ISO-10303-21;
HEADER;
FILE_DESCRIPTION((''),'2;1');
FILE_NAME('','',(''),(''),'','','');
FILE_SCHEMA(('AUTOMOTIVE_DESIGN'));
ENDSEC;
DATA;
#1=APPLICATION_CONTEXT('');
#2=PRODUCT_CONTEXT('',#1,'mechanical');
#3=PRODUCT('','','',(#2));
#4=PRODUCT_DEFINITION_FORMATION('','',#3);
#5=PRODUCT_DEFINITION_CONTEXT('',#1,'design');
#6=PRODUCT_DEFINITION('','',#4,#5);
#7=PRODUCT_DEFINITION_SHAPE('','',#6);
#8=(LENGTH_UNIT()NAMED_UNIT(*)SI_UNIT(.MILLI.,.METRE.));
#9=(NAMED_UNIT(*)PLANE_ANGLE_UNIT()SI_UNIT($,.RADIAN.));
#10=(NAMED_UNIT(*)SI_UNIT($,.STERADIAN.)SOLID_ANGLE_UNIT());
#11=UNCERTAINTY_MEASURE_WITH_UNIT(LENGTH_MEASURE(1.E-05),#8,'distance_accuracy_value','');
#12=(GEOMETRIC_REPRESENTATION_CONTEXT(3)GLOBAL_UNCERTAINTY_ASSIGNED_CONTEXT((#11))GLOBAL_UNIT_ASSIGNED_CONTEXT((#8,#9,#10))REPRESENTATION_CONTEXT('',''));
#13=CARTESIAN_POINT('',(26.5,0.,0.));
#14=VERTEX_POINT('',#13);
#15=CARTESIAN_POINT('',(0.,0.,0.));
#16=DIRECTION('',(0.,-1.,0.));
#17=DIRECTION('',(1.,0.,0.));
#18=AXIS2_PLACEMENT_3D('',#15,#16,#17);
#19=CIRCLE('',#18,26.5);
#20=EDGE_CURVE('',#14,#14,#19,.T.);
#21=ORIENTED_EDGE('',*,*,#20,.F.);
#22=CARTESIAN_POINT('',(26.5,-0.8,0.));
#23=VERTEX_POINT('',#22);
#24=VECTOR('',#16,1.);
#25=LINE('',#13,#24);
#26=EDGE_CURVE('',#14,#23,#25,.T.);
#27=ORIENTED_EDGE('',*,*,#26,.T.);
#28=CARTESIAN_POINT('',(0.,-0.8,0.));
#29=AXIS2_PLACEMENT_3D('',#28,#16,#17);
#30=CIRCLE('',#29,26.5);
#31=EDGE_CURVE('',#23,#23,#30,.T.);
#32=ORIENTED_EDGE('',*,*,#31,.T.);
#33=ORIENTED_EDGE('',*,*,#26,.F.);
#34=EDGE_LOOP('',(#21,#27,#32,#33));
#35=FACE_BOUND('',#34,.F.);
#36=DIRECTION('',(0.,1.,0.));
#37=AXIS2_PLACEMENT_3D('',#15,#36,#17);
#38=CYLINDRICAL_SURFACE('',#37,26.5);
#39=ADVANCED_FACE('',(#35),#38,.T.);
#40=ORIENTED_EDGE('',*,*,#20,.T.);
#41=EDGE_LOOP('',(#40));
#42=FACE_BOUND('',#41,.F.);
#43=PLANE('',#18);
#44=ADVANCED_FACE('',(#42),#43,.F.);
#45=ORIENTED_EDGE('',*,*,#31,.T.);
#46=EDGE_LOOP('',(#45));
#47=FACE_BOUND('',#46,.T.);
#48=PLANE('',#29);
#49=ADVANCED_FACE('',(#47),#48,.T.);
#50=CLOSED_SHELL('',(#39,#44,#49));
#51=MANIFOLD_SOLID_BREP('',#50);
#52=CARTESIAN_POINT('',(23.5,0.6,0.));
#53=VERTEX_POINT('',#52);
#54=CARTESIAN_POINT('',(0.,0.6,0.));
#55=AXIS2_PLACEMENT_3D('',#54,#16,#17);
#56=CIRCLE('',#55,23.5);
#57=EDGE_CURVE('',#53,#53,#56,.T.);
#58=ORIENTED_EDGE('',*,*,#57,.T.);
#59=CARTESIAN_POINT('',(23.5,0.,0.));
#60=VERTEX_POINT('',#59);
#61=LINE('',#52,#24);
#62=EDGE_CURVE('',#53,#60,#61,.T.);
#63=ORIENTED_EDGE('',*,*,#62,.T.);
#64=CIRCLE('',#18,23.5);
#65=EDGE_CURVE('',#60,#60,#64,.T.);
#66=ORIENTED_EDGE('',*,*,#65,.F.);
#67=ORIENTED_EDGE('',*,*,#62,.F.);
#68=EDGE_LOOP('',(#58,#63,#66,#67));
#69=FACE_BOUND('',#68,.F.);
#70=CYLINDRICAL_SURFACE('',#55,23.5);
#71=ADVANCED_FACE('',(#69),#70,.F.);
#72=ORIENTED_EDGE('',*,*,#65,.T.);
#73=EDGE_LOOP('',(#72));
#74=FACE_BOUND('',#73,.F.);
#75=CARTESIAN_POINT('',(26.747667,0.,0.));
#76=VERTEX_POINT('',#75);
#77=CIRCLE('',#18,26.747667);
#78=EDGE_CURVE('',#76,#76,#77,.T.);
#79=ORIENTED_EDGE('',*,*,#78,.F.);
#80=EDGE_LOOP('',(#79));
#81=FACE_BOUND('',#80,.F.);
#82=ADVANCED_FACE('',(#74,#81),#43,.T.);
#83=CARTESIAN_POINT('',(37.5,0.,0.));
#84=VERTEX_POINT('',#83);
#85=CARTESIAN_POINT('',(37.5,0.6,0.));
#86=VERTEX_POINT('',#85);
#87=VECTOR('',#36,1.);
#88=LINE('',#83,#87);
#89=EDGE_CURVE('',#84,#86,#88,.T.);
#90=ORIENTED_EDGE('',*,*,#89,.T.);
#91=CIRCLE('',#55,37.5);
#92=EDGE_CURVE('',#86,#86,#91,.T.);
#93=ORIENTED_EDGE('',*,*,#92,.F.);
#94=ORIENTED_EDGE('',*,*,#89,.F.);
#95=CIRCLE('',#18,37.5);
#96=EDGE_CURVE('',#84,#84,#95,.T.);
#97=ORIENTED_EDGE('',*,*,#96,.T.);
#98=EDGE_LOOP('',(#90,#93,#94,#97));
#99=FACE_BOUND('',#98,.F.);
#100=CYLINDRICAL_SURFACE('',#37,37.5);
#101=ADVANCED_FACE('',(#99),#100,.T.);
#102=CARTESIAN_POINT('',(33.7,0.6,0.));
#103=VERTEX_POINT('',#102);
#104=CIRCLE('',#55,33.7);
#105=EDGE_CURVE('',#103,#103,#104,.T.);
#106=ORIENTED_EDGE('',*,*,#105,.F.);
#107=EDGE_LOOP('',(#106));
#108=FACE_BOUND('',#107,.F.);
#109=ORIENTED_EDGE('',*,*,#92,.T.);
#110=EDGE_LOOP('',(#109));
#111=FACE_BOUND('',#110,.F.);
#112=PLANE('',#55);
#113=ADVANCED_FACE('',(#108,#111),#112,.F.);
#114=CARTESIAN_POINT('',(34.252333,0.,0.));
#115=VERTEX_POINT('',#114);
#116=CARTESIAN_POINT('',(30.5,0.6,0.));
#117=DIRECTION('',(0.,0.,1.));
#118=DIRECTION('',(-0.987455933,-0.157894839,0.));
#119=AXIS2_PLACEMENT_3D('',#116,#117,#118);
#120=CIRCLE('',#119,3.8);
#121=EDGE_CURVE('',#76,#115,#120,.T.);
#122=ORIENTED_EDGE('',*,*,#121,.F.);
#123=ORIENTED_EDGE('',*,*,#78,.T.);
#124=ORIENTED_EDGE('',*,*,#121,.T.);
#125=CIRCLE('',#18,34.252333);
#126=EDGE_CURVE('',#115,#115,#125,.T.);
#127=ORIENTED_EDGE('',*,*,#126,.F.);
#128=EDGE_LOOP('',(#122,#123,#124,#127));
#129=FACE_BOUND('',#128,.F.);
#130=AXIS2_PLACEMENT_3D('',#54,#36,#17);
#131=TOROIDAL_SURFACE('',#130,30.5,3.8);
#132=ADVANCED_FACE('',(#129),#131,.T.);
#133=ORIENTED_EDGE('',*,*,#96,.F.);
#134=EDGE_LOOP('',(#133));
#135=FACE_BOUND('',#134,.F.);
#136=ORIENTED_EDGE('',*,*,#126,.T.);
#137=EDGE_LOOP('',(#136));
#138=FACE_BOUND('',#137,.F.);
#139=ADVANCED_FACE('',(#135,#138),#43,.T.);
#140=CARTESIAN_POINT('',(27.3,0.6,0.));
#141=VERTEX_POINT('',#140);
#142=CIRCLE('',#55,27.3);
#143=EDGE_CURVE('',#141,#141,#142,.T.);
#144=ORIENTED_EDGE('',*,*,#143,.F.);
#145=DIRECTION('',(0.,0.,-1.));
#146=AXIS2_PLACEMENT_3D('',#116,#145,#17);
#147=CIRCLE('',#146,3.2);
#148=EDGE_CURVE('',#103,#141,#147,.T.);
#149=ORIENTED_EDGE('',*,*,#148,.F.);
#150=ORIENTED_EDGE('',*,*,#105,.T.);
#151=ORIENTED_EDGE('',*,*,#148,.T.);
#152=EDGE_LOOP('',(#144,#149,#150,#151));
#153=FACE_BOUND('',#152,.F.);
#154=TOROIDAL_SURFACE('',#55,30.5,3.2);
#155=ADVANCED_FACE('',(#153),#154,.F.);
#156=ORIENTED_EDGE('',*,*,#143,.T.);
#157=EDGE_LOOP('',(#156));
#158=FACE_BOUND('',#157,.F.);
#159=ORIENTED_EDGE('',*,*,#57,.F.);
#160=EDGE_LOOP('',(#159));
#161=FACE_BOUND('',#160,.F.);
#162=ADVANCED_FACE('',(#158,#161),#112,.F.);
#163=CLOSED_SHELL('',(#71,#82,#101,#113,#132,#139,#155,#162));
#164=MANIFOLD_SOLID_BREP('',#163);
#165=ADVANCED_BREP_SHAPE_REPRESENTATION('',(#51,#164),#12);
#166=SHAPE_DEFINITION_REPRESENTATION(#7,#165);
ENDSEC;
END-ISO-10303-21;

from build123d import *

# Parameters (mm, degrees)
F0_R     = 26.5
F1_DEPTH = 0.8


with BuildPart() as f1:
    # F0 (on Front) → F1 (new body)
    with BuildSketch(Plane.XZ):
        Circle(F0_R)
    extrude(amount=F1_DEPTH)


with BuildPart() as f3:
    # F2 (on Top) → F3 (revolve)
    with BuildSketch(Plane.XY):
        with BuildLine():
            Line((23.5, 0.6), (23.5, 0))
            Line((23.5, 0), (26.747667, 0))
            ThreePointArc((26.747667, 0), (30.5, -3.2), (34.252333, 0))
            Line((34.252333, 0), (37.5, 0))
            Line((37.5, 0), (37.5, 0.6))
            Line((37.5, 0.6), (33.7, 0.6))
            ThreePointArc((33.7, 0.6), (30.5, -2.6), (27.3, 0.6))
            Line((27.3, 0.6), (23.5, 0.6))
        make_face()
    revolve(axis=Axis((0, -0.8, 0), (0, -1, 0)))


solid = Compound([f1.part, f3.part])
